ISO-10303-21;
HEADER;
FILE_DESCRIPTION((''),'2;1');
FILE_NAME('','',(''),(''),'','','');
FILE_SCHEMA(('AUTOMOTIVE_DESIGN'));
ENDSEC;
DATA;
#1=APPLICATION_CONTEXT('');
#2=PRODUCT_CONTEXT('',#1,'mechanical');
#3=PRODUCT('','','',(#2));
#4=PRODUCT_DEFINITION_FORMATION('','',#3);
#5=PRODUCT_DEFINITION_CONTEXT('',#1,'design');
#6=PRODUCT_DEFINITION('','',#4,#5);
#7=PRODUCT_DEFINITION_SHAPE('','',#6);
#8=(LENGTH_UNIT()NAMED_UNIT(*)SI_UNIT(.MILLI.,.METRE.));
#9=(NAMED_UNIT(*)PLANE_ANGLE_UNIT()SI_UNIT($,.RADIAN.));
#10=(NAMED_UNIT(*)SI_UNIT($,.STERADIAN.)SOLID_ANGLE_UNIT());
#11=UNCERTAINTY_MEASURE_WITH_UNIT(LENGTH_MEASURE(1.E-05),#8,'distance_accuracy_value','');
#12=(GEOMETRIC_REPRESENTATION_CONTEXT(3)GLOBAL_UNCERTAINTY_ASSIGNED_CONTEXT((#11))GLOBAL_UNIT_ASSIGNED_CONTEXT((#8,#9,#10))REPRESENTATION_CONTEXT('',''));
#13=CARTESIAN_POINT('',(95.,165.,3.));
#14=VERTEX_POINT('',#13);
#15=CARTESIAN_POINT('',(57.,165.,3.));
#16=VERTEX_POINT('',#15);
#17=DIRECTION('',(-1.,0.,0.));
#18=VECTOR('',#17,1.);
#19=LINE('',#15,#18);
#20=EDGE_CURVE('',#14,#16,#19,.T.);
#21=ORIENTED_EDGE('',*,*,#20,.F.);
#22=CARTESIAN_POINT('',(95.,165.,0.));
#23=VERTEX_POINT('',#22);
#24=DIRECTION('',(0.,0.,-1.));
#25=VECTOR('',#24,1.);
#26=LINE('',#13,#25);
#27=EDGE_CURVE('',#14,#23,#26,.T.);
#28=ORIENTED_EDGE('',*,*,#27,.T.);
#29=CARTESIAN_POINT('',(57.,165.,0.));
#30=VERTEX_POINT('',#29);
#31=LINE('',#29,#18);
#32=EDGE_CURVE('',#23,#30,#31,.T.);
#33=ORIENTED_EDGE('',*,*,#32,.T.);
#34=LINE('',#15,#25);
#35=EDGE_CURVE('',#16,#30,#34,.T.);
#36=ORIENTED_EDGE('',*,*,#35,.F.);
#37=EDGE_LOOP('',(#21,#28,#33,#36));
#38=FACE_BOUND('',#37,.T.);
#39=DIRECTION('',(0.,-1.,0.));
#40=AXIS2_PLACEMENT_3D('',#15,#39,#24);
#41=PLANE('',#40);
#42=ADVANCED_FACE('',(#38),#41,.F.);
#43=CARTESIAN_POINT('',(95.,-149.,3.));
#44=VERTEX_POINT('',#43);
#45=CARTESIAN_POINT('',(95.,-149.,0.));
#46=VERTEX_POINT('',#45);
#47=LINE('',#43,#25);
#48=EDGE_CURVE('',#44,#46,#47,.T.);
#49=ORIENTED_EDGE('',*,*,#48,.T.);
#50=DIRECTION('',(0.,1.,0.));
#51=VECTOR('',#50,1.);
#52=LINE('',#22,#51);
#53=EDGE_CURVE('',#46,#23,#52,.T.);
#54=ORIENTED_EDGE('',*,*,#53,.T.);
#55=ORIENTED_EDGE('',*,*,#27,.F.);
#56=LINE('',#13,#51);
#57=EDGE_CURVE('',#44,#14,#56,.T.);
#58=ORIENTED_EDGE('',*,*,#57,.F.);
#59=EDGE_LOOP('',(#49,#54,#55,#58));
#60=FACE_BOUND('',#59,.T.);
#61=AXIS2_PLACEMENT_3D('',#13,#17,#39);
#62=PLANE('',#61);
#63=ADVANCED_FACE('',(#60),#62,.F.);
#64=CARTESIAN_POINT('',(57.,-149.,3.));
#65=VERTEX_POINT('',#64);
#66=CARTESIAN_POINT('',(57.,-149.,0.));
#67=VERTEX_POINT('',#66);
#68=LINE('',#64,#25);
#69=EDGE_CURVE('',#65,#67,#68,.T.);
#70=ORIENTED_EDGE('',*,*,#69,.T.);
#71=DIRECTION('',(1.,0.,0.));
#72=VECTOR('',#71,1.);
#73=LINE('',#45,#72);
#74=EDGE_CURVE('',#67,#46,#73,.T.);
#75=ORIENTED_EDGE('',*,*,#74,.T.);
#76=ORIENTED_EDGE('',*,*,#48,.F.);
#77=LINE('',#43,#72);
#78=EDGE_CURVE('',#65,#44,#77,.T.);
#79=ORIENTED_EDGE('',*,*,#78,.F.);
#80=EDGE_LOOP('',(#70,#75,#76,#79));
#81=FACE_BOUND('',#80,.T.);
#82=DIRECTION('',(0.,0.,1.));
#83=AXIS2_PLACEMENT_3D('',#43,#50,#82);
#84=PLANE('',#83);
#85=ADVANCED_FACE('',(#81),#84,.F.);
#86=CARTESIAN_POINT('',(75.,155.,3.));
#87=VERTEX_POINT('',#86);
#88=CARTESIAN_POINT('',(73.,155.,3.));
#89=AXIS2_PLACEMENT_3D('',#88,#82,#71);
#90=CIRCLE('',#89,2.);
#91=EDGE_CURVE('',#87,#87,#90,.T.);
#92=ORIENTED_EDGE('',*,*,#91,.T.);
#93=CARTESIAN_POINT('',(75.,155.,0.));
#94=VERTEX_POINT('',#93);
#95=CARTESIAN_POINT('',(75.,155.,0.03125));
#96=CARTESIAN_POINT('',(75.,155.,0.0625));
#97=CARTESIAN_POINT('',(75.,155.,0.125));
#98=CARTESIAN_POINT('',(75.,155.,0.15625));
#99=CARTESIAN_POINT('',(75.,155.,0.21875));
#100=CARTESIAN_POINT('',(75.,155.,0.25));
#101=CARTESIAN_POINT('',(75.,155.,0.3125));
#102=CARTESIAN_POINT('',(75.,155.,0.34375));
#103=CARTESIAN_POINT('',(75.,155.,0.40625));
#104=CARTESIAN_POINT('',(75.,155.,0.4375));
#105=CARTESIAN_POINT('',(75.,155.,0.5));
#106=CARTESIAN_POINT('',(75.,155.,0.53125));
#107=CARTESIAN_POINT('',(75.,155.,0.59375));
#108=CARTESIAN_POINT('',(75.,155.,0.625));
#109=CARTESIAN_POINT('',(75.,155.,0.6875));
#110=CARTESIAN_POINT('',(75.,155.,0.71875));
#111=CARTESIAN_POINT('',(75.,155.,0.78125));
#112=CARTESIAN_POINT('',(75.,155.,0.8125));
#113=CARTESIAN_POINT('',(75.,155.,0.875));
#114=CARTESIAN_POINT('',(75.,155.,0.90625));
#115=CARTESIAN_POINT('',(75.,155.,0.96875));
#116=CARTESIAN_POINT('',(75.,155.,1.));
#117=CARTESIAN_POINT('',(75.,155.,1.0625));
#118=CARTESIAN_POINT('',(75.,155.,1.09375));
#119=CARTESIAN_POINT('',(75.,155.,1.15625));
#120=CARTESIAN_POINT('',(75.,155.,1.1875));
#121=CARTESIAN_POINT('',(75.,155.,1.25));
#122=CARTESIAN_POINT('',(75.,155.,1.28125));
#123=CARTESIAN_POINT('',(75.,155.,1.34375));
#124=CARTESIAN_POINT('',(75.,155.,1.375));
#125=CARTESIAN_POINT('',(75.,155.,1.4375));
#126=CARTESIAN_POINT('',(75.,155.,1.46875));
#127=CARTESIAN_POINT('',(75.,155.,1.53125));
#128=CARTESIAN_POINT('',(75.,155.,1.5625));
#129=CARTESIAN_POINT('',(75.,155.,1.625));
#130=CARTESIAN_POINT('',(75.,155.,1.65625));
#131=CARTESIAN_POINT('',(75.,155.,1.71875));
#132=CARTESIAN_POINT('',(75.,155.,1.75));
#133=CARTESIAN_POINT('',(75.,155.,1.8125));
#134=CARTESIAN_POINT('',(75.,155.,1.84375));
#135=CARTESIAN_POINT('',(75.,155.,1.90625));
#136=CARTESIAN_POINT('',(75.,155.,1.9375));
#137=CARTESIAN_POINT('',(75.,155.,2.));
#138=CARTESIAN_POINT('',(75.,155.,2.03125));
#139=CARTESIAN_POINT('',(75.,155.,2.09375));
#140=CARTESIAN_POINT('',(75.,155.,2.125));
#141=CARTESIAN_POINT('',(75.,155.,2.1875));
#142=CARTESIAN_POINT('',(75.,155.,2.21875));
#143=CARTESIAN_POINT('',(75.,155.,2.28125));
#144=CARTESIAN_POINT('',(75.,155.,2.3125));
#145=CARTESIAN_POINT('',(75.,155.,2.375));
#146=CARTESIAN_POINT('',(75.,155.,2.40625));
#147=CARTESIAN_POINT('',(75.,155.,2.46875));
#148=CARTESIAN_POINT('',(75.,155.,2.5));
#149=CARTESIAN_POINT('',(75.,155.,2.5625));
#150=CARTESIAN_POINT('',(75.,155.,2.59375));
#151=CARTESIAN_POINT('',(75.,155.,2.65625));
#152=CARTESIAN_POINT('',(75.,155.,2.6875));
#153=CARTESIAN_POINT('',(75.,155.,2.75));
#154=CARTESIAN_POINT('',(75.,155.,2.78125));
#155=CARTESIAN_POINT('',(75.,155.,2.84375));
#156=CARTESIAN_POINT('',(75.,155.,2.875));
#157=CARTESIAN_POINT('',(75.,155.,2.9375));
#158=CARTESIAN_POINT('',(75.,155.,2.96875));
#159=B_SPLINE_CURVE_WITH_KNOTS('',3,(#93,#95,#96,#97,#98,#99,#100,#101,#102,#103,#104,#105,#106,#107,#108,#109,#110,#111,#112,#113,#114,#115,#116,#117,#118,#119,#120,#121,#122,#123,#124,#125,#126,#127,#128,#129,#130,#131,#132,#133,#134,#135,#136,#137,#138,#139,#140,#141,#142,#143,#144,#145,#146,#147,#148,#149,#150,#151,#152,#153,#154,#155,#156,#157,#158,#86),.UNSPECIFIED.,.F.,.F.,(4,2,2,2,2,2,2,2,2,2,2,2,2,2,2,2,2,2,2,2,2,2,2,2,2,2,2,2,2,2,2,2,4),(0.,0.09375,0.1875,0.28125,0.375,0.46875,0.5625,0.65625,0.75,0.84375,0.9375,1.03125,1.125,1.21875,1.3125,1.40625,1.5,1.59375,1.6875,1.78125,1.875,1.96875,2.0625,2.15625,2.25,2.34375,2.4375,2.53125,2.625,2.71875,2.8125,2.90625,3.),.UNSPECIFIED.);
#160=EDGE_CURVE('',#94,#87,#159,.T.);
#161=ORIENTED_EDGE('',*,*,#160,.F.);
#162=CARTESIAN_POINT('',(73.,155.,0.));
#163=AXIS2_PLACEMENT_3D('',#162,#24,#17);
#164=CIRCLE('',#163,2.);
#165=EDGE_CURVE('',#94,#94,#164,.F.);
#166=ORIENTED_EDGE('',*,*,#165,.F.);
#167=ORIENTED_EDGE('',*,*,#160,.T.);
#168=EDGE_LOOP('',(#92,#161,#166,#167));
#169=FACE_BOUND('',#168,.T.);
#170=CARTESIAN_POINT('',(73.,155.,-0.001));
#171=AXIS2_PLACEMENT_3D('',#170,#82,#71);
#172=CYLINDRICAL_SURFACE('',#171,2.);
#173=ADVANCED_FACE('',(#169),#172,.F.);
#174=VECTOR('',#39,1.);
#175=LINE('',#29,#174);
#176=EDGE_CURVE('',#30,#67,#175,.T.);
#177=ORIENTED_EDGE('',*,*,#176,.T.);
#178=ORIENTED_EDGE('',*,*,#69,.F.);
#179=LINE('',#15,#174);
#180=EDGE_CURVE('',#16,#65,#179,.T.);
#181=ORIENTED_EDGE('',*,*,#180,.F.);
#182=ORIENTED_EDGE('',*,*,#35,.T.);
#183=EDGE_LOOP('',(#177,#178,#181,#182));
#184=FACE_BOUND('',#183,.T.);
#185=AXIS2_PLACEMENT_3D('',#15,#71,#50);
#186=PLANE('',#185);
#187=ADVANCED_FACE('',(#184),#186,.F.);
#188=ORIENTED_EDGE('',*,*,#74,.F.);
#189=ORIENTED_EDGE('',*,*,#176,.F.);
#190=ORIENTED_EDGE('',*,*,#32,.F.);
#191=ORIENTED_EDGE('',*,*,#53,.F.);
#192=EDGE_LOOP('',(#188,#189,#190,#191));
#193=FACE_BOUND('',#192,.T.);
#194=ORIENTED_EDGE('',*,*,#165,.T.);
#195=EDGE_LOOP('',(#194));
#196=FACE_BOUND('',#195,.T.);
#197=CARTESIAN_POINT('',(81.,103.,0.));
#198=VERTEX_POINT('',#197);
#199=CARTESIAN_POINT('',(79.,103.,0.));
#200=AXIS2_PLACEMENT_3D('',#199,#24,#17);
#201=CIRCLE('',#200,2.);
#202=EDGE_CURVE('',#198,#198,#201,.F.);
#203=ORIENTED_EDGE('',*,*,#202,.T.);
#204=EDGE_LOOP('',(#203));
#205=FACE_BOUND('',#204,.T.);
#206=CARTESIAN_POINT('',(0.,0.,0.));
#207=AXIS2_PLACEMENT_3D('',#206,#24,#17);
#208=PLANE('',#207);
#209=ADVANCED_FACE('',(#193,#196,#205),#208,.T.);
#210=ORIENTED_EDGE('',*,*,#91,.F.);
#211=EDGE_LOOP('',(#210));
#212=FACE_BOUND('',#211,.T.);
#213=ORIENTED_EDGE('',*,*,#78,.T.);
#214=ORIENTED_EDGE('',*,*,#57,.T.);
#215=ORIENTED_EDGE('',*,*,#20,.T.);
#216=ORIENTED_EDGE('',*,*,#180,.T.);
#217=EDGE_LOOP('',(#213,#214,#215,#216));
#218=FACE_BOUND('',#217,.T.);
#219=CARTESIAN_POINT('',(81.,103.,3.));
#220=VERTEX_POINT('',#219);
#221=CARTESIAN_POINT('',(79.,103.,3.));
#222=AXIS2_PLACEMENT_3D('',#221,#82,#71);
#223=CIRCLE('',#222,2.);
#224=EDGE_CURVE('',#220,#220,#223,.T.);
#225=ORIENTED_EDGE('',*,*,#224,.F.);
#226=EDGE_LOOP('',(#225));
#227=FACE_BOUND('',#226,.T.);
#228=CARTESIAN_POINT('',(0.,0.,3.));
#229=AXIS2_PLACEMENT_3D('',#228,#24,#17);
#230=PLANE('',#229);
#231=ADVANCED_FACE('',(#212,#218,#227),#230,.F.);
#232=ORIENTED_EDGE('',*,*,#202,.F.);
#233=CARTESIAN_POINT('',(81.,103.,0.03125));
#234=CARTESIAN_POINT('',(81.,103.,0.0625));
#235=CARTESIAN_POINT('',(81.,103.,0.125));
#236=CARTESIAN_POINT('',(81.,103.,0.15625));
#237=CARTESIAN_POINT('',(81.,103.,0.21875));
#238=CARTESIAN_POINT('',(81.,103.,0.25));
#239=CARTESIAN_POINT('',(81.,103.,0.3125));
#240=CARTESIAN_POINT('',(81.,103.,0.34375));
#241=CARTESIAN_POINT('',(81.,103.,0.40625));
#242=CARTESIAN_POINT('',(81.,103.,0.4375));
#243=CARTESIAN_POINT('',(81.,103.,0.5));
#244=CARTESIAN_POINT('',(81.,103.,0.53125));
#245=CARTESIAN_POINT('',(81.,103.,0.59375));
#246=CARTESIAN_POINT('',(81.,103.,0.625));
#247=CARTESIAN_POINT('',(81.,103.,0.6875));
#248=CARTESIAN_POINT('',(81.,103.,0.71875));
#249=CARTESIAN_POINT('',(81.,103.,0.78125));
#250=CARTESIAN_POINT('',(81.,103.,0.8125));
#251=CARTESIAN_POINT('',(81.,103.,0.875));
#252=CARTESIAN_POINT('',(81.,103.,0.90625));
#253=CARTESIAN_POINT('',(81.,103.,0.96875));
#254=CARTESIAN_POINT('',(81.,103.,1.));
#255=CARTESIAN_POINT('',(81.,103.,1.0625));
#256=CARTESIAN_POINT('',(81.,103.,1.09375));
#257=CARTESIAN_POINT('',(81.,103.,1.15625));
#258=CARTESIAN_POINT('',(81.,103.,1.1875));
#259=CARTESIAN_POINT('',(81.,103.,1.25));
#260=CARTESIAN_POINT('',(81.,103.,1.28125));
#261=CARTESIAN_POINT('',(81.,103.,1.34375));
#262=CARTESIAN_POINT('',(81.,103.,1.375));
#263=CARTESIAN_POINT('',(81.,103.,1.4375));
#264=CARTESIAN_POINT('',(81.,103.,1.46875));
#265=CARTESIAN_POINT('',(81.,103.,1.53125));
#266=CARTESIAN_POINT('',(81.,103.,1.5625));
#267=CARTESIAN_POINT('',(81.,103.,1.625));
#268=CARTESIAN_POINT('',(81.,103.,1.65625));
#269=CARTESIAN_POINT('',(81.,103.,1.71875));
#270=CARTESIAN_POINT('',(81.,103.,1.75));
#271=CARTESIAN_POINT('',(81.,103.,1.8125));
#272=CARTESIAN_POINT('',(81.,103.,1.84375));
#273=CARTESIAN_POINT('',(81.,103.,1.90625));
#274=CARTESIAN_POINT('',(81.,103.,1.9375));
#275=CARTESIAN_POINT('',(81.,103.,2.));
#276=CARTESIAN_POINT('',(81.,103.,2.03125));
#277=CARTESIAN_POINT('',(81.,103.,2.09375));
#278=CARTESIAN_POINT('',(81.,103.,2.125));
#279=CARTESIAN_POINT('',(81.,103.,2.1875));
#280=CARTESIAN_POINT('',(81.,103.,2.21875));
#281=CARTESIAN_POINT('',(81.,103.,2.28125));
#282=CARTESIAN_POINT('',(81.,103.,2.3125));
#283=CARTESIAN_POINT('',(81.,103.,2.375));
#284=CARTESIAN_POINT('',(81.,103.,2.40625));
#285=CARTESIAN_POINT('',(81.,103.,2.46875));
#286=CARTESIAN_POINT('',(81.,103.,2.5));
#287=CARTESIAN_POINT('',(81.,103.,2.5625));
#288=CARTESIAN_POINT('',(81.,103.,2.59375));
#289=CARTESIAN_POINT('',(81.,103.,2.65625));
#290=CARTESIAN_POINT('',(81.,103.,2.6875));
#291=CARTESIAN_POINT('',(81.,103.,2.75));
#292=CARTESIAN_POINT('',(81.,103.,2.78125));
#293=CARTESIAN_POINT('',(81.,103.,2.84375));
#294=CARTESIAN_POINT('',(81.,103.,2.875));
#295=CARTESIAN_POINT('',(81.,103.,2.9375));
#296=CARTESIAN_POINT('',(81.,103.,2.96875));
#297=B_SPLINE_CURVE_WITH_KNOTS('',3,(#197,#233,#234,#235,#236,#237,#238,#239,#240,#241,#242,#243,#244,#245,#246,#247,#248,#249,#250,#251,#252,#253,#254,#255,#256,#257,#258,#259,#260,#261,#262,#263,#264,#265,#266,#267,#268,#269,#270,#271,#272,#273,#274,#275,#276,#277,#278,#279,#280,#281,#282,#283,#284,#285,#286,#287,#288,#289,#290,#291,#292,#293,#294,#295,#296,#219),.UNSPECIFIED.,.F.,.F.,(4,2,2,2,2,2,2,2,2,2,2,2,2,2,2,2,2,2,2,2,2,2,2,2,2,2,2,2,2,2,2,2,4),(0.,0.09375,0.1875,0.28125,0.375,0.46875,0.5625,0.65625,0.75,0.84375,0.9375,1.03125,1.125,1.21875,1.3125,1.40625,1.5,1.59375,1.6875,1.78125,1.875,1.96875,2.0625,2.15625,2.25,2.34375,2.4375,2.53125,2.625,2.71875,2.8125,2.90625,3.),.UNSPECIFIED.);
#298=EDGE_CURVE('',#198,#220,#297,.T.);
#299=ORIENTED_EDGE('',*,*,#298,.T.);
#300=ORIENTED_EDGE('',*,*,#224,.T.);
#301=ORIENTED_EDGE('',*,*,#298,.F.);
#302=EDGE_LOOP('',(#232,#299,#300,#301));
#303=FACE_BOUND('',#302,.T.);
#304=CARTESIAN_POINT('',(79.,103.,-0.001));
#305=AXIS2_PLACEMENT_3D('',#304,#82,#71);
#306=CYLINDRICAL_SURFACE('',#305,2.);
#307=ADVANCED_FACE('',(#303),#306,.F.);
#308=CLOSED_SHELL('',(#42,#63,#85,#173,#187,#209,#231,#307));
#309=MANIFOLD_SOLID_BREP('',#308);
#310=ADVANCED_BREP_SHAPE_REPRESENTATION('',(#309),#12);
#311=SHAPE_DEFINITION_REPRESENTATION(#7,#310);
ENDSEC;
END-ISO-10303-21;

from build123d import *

# Parameters (mm, degrees)
ESQUISSE1_W             = 38
ESQUISSE1_H             = 314
BOSS_EXTRU_1_DEPTH      = 3
ENL_V_MAT_EXTRU_1_REACH = 192.418
ESQUISSE2_R             = 2


with BuildPart() as part:
    # Esquisse1 → Boss.-Extru.1 (new body)
    with BuildSketch(Plane.XY):
        with Locations((76, 8)):
            Rectangle(ESQUISSE1_W, ESQUISSE1_H)
    extrude(amount=BOSS_EXTRU_1_DEPTH)

    # Esquisse2 → Enlèv. mat.-Extru.1 (cut, up to next)
    with BuildSketch(Plane.XY.offset(3), mode=Mode.PRIVATE) as enl_v_mat_extru_1_sk1:
        with Locations((73, 155)):
            Circle(ESQUISSE2_R)
    enl_v_mat_extru_1_tool1 = extrude(enl_v_mat_extru_1_sk1.sketch, amount=-ENL_V_MAT_EXTRU_1_REACH, mode=Mode.PRIVATE) & part.part
    # Esquisse2 → Enlèv. mat.-Extru.1 (cut, up to next)
    with BuildSketch(Plane.XY.offset(3), mode=Mode.PRIVATE) as enl_v_mat_extru_1_sk2:
        with Locations((79, 103)):
            Circle(ESQUISSE2_R)
    enl_v_mat_extru_1_tool2 = extrude(enl_v_mat_extru_1_sk2.sketch, amount=-ENL_V_MAT_EXTRU_1_REACH, mode=Mode.PRIVATE) & part.part
    add(enl_v_mat_extru_1_tool1.solids().sort_by_distance((73, 155, 3))[0], mode=Mode.SUBTRACT)
    add(enl_v_mat_extru_1_tool2.solids().sort_by_distance((79, 103, 3))[0], mode=Mode.SUBTRACT)


solid = part.part
